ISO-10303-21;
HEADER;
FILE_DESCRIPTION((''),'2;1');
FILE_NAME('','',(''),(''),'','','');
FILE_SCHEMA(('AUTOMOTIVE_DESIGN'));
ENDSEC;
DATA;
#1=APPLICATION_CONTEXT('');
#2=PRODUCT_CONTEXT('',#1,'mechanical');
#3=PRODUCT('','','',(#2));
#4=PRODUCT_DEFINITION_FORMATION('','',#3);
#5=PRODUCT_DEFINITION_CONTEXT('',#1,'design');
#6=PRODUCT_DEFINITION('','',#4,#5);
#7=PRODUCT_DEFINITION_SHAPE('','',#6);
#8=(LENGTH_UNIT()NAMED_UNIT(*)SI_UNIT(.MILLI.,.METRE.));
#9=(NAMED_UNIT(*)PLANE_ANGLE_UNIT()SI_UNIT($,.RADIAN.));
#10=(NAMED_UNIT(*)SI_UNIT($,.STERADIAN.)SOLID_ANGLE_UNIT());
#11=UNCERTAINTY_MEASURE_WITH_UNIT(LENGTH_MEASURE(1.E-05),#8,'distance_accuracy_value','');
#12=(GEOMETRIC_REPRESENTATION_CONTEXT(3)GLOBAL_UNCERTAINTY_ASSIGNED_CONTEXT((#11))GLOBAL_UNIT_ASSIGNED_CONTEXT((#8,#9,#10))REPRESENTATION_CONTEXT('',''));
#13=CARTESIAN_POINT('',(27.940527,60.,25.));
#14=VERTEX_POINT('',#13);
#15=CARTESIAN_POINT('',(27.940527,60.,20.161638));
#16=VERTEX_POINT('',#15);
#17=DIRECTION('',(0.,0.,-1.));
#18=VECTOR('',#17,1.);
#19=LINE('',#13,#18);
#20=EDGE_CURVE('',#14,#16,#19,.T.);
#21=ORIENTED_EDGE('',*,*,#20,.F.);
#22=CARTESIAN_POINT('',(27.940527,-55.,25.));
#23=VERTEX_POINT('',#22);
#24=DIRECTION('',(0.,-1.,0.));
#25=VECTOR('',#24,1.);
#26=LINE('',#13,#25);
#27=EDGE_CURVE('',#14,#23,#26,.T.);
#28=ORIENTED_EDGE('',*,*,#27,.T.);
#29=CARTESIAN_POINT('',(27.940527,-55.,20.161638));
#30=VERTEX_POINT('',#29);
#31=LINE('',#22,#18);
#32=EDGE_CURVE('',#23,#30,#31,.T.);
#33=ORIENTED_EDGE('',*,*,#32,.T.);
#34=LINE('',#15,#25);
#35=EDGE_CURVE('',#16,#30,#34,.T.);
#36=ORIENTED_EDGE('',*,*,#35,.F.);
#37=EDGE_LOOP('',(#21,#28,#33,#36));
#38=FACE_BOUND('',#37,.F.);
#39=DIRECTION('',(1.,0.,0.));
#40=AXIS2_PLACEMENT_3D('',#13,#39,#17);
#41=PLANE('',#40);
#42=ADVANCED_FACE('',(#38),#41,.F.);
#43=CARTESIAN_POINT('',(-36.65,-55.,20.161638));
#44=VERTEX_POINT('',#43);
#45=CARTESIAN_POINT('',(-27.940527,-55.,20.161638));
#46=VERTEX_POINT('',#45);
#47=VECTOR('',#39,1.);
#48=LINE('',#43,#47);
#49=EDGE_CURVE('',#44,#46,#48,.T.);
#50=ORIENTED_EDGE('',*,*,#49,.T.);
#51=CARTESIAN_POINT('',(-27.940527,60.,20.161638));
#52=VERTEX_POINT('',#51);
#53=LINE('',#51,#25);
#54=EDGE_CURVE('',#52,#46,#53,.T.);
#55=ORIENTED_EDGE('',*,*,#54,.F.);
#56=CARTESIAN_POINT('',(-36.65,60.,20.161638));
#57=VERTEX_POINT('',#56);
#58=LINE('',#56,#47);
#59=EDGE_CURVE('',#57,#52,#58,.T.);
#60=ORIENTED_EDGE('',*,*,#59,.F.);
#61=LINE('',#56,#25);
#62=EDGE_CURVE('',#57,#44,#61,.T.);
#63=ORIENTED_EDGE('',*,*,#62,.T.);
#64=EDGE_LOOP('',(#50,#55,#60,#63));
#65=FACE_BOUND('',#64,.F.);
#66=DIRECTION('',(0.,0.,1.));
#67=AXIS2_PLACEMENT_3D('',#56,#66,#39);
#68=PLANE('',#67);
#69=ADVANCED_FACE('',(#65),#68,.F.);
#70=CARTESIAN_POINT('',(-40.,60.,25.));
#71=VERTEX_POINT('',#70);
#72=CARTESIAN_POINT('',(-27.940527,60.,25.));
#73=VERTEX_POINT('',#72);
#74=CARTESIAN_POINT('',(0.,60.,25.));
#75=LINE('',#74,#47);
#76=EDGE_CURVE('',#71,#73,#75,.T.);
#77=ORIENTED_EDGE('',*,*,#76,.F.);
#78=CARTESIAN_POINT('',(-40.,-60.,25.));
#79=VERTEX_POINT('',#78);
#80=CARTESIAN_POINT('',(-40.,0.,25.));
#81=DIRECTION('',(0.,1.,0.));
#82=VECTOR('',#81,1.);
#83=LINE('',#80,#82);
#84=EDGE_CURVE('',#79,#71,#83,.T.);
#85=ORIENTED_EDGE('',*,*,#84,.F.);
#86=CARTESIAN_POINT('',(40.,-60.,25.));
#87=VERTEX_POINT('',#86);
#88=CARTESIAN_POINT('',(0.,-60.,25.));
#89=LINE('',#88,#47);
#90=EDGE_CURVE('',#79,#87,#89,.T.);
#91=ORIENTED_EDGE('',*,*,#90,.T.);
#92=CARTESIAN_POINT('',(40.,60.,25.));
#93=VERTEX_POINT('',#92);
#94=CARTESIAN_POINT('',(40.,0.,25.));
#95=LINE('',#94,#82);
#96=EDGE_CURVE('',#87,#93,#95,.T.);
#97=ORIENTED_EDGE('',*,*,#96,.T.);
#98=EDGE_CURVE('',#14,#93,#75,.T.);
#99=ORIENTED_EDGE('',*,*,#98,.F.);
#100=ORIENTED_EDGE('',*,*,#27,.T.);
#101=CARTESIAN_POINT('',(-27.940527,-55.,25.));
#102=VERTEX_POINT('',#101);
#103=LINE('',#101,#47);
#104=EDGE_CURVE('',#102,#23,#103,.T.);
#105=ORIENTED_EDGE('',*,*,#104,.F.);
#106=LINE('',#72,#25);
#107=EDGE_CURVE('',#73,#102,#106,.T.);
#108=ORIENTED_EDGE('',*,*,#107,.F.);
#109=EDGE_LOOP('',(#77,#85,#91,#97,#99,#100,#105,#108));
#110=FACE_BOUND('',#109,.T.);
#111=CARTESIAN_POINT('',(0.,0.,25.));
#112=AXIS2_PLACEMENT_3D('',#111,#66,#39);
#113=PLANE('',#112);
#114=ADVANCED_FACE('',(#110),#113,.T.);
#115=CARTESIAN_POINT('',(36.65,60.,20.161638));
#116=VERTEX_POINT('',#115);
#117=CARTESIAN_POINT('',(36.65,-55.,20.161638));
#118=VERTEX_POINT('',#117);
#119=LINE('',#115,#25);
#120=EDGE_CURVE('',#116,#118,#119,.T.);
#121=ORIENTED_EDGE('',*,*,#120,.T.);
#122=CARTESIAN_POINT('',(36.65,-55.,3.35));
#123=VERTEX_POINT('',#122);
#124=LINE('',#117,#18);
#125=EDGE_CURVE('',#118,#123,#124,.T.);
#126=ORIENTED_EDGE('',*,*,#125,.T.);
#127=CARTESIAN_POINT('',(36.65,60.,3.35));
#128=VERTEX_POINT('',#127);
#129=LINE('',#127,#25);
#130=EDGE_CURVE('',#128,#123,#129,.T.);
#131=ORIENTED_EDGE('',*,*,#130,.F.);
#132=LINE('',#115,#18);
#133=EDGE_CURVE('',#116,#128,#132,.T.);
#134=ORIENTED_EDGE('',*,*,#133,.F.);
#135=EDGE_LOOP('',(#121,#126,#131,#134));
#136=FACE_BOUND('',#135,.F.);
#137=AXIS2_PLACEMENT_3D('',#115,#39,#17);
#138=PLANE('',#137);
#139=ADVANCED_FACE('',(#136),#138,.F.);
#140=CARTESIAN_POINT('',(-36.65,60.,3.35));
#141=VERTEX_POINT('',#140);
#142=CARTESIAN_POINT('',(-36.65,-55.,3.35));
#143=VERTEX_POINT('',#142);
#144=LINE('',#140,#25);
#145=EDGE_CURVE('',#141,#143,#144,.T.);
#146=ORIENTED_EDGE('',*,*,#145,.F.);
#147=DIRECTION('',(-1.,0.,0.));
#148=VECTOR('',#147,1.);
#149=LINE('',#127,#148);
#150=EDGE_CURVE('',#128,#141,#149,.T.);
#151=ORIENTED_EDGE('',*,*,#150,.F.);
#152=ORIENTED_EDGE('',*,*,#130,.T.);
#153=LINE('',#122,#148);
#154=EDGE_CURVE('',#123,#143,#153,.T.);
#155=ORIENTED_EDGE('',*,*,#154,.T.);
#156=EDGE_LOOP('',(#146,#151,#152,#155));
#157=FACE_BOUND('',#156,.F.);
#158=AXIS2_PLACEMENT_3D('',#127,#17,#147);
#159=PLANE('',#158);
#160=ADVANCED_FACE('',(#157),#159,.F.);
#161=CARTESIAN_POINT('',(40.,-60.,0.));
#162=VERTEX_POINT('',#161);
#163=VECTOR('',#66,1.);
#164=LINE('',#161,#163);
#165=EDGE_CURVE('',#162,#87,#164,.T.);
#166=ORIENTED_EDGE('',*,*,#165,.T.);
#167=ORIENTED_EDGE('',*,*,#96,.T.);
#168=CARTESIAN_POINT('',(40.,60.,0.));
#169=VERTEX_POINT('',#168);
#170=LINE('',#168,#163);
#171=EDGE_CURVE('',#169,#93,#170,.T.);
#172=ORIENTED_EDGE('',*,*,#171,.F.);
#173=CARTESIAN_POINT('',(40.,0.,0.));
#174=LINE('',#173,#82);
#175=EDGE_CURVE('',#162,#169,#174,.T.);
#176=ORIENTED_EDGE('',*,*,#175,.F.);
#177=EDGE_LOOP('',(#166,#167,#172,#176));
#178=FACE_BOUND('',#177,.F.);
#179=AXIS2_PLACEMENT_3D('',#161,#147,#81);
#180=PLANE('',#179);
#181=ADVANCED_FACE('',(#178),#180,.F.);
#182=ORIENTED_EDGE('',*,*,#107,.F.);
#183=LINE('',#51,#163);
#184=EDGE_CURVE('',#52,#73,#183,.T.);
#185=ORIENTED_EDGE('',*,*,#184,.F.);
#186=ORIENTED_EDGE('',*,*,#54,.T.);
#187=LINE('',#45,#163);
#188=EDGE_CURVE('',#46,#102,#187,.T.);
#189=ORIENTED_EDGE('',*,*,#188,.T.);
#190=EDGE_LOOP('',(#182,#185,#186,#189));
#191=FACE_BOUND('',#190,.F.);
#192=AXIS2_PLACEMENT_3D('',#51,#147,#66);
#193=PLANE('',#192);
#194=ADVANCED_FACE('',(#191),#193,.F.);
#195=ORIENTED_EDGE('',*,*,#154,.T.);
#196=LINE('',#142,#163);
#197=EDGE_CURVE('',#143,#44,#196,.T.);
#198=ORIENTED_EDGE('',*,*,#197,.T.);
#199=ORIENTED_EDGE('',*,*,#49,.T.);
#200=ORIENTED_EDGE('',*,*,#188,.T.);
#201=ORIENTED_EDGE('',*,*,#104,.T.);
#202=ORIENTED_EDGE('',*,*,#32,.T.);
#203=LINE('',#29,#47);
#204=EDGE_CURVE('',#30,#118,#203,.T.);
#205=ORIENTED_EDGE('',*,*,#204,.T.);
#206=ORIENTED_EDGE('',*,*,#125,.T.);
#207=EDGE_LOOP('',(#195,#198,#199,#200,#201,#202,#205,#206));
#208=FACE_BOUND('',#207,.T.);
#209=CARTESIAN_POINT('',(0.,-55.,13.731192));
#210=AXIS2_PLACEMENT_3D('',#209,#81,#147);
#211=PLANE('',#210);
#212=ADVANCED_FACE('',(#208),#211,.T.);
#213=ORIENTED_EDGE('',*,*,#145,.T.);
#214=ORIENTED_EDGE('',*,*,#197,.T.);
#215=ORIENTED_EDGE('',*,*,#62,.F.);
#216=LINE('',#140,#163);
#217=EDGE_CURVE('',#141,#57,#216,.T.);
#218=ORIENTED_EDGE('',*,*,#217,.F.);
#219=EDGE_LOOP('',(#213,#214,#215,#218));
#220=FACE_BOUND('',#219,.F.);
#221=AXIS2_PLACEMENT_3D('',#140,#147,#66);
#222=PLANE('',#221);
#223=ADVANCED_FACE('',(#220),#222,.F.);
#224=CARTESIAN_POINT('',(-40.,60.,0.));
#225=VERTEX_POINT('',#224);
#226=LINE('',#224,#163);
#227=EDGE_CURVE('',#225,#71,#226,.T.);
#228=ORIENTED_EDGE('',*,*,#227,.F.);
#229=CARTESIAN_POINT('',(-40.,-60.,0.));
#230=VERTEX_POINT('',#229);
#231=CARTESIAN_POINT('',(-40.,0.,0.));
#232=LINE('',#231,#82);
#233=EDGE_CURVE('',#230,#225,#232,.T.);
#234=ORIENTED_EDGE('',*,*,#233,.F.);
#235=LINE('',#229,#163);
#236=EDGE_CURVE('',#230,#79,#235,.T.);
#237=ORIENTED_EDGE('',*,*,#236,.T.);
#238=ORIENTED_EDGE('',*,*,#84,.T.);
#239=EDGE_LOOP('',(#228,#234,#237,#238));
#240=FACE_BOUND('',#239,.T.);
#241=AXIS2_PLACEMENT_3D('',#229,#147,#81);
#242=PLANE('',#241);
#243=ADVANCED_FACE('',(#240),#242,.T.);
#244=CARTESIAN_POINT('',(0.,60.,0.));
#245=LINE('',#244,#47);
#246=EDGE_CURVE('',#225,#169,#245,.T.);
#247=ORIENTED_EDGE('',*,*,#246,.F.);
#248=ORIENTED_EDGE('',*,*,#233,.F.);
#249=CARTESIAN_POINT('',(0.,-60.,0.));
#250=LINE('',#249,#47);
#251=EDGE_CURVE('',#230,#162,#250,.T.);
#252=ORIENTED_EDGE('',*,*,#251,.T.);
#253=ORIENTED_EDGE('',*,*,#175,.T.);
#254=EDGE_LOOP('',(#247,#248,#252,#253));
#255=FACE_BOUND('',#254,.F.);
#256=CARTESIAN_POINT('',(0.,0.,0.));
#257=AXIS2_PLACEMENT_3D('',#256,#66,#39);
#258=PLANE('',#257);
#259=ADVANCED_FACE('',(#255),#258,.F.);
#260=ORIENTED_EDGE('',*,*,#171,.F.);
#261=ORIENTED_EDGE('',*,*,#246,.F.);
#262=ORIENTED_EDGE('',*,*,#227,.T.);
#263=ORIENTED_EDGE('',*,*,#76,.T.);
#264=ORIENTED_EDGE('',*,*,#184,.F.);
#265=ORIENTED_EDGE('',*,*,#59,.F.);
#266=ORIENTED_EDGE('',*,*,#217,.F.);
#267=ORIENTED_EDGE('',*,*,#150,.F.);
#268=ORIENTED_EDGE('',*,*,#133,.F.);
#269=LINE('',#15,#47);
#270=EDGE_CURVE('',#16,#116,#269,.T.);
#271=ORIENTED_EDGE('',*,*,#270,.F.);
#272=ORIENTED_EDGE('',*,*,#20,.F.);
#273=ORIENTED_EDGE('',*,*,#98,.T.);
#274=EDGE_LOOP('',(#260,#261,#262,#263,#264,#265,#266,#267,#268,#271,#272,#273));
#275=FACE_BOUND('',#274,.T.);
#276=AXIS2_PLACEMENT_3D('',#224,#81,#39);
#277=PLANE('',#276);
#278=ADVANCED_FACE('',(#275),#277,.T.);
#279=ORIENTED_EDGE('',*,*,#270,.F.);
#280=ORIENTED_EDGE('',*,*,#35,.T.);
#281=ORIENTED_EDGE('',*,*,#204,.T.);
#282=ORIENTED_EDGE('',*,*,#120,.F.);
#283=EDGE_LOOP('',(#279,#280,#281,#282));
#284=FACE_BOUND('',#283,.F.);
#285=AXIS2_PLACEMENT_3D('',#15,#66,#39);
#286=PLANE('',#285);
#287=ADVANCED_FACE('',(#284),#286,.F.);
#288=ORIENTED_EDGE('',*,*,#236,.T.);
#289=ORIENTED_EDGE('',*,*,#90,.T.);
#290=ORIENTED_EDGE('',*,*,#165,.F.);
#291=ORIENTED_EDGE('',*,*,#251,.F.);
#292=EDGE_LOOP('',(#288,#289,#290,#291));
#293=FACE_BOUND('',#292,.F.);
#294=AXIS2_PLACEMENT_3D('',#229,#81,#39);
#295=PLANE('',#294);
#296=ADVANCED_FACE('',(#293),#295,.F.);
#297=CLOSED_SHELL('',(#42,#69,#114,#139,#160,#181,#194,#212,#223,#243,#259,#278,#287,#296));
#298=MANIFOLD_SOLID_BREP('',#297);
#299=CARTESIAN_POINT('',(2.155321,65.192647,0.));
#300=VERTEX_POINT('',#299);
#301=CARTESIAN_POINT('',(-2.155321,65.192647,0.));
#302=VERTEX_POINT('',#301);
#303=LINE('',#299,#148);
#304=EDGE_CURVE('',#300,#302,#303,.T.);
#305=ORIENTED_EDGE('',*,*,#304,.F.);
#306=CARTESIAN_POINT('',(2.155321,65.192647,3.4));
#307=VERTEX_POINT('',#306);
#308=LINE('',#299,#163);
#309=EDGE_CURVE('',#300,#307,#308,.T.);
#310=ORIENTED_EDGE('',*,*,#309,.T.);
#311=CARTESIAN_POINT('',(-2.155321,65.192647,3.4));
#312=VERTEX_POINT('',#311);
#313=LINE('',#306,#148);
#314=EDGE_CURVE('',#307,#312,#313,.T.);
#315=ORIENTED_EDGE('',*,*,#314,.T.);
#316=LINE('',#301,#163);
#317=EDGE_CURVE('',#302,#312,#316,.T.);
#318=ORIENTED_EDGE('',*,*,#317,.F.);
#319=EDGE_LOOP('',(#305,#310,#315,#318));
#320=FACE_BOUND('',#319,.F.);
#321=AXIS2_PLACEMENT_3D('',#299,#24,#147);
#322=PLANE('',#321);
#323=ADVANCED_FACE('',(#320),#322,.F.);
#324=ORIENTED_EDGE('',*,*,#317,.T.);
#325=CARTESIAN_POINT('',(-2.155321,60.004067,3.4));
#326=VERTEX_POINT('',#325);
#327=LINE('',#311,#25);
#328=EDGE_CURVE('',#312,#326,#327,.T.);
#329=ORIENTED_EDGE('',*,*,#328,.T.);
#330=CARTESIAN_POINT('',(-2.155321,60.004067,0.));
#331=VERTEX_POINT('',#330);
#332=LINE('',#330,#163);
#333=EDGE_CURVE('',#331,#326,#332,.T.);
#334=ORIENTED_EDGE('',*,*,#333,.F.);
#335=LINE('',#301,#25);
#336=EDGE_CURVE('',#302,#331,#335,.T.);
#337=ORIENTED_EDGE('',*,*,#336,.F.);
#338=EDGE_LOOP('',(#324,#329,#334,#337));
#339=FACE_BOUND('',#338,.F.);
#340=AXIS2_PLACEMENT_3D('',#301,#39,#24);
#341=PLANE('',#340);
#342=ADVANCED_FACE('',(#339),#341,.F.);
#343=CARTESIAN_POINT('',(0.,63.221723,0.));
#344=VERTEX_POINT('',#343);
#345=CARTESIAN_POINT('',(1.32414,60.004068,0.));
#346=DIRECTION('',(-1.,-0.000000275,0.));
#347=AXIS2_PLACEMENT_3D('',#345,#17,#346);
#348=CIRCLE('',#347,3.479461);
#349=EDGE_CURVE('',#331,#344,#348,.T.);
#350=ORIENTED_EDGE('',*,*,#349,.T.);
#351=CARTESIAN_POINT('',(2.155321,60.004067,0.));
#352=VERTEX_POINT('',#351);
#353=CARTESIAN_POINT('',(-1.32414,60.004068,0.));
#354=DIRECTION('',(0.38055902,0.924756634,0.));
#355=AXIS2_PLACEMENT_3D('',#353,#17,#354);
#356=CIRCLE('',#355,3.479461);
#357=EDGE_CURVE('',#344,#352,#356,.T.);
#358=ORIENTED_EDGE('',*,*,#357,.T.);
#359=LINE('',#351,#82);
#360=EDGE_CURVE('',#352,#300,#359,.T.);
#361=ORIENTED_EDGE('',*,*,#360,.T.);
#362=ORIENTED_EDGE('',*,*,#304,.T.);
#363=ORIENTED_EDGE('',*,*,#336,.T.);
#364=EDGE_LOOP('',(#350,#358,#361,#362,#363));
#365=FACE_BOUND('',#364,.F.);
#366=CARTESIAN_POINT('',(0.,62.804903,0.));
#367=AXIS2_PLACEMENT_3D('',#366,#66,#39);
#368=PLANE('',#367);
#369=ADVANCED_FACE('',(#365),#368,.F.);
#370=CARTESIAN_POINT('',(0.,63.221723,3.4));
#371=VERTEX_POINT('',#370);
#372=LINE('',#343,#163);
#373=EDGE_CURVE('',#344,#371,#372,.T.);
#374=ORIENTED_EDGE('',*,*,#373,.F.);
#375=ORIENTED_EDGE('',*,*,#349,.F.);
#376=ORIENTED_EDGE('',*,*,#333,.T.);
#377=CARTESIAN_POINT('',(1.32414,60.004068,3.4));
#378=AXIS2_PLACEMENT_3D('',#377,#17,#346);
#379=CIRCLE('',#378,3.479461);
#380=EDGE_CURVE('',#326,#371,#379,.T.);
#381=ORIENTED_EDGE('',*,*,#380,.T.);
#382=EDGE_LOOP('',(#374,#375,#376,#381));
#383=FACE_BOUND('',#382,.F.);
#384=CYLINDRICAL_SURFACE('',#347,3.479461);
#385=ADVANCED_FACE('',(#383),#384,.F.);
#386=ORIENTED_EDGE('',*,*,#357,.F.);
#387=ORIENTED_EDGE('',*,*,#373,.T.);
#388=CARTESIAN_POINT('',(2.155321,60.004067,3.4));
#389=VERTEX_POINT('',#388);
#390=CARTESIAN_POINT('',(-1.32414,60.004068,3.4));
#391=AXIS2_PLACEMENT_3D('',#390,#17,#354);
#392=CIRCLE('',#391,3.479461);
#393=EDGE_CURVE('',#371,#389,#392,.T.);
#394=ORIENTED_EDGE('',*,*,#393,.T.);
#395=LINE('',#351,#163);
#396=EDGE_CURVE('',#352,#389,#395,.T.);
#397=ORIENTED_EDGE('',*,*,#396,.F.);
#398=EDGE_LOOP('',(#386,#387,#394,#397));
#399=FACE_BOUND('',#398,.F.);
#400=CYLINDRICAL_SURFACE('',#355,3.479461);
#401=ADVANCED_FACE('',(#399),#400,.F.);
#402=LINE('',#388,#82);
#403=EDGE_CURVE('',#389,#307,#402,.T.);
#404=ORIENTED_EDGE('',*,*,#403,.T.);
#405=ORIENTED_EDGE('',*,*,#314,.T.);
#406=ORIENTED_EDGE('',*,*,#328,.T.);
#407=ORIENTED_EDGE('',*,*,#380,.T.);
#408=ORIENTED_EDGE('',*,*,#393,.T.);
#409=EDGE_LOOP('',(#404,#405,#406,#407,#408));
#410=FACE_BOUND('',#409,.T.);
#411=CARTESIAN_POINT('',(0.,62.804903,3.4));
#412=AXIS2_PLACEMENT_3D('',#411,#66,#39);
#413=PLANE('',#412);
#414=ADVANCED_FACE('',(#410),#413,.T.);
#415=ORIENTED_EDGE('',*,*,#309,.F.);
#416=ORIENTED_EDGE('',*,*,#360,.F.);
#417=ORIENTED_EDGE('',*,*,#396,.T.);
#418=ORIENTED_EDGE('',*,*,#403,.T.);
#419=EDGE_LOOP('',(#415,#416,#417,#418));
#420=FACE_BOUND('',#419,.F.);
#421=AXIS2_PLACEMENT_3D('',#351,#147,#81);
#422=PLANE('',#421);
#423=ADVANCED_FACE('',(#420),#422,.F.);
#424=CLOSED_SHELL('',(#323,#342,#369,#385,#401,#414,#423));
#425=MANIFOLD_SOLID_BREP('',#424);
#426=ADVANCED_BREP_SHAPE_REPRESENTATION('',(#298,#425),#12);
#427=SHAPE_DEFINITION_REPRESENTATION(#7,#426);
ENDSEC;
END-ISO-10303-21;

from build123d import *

# Parameters (mm, degrees)
F0_W     = 80
F0_H     = 120
F1_DEPTH = 25
F3_DEPTH = 115
F5_DEPTH = 3.4


with BuildPart() as f1:
    # F0 (on Top) → F1 (new body)
    with BuildSketch(Plane.XY):
        Rectangle(F0_W, F0_H)
    extrude(amount=F1_DEPTH)

    # F2 (on face) → F3 (cut)
    with BuildSketch(Plane(origin=(0, 60, 0), x_dir=(-1, 0, 0), z_dir=(0, 1, 0))):
        Polygon((0, 3.35), (36.65, 3.35), (36.65, 20.161638), (27.940527, 20.161638), (27.940527, 25), (0, 25), (-27.940527, 25), (-27.940527, 20.161638), (-36.65, 20.161638), (-36.65, 3.35), align=None)
    extrude(amount=-F3_DEPTH, mode=Mode.SUBTRACT)


with BuildPart() as f5:
    # F4 (on face) → F5 (new body)
    with BuildSketch(Plane.XY):
        with BuildLine():
            ThreePointArc((0, 63.221723), (1.566703, 61.940476), (2.155321, 60.004067))
            Line((2.155321, 60.004067), (2.155321, 65.192647))
            Line((2.155321, 65.192647), (0, 65.192647))
            Line((0, 65.192647), (-2.155321, 65.192647))
            Line((-2.155321, 65.192647), (-2.155321, 60.004067))
            ThreePointArc((-2.155321, 60.004067), (-1.566703, 61.940476), (0, 63.221723))
        make_face()
    extrude(amount=F5_DEPTH)


solid = Compound([f1.part, f5.part])
